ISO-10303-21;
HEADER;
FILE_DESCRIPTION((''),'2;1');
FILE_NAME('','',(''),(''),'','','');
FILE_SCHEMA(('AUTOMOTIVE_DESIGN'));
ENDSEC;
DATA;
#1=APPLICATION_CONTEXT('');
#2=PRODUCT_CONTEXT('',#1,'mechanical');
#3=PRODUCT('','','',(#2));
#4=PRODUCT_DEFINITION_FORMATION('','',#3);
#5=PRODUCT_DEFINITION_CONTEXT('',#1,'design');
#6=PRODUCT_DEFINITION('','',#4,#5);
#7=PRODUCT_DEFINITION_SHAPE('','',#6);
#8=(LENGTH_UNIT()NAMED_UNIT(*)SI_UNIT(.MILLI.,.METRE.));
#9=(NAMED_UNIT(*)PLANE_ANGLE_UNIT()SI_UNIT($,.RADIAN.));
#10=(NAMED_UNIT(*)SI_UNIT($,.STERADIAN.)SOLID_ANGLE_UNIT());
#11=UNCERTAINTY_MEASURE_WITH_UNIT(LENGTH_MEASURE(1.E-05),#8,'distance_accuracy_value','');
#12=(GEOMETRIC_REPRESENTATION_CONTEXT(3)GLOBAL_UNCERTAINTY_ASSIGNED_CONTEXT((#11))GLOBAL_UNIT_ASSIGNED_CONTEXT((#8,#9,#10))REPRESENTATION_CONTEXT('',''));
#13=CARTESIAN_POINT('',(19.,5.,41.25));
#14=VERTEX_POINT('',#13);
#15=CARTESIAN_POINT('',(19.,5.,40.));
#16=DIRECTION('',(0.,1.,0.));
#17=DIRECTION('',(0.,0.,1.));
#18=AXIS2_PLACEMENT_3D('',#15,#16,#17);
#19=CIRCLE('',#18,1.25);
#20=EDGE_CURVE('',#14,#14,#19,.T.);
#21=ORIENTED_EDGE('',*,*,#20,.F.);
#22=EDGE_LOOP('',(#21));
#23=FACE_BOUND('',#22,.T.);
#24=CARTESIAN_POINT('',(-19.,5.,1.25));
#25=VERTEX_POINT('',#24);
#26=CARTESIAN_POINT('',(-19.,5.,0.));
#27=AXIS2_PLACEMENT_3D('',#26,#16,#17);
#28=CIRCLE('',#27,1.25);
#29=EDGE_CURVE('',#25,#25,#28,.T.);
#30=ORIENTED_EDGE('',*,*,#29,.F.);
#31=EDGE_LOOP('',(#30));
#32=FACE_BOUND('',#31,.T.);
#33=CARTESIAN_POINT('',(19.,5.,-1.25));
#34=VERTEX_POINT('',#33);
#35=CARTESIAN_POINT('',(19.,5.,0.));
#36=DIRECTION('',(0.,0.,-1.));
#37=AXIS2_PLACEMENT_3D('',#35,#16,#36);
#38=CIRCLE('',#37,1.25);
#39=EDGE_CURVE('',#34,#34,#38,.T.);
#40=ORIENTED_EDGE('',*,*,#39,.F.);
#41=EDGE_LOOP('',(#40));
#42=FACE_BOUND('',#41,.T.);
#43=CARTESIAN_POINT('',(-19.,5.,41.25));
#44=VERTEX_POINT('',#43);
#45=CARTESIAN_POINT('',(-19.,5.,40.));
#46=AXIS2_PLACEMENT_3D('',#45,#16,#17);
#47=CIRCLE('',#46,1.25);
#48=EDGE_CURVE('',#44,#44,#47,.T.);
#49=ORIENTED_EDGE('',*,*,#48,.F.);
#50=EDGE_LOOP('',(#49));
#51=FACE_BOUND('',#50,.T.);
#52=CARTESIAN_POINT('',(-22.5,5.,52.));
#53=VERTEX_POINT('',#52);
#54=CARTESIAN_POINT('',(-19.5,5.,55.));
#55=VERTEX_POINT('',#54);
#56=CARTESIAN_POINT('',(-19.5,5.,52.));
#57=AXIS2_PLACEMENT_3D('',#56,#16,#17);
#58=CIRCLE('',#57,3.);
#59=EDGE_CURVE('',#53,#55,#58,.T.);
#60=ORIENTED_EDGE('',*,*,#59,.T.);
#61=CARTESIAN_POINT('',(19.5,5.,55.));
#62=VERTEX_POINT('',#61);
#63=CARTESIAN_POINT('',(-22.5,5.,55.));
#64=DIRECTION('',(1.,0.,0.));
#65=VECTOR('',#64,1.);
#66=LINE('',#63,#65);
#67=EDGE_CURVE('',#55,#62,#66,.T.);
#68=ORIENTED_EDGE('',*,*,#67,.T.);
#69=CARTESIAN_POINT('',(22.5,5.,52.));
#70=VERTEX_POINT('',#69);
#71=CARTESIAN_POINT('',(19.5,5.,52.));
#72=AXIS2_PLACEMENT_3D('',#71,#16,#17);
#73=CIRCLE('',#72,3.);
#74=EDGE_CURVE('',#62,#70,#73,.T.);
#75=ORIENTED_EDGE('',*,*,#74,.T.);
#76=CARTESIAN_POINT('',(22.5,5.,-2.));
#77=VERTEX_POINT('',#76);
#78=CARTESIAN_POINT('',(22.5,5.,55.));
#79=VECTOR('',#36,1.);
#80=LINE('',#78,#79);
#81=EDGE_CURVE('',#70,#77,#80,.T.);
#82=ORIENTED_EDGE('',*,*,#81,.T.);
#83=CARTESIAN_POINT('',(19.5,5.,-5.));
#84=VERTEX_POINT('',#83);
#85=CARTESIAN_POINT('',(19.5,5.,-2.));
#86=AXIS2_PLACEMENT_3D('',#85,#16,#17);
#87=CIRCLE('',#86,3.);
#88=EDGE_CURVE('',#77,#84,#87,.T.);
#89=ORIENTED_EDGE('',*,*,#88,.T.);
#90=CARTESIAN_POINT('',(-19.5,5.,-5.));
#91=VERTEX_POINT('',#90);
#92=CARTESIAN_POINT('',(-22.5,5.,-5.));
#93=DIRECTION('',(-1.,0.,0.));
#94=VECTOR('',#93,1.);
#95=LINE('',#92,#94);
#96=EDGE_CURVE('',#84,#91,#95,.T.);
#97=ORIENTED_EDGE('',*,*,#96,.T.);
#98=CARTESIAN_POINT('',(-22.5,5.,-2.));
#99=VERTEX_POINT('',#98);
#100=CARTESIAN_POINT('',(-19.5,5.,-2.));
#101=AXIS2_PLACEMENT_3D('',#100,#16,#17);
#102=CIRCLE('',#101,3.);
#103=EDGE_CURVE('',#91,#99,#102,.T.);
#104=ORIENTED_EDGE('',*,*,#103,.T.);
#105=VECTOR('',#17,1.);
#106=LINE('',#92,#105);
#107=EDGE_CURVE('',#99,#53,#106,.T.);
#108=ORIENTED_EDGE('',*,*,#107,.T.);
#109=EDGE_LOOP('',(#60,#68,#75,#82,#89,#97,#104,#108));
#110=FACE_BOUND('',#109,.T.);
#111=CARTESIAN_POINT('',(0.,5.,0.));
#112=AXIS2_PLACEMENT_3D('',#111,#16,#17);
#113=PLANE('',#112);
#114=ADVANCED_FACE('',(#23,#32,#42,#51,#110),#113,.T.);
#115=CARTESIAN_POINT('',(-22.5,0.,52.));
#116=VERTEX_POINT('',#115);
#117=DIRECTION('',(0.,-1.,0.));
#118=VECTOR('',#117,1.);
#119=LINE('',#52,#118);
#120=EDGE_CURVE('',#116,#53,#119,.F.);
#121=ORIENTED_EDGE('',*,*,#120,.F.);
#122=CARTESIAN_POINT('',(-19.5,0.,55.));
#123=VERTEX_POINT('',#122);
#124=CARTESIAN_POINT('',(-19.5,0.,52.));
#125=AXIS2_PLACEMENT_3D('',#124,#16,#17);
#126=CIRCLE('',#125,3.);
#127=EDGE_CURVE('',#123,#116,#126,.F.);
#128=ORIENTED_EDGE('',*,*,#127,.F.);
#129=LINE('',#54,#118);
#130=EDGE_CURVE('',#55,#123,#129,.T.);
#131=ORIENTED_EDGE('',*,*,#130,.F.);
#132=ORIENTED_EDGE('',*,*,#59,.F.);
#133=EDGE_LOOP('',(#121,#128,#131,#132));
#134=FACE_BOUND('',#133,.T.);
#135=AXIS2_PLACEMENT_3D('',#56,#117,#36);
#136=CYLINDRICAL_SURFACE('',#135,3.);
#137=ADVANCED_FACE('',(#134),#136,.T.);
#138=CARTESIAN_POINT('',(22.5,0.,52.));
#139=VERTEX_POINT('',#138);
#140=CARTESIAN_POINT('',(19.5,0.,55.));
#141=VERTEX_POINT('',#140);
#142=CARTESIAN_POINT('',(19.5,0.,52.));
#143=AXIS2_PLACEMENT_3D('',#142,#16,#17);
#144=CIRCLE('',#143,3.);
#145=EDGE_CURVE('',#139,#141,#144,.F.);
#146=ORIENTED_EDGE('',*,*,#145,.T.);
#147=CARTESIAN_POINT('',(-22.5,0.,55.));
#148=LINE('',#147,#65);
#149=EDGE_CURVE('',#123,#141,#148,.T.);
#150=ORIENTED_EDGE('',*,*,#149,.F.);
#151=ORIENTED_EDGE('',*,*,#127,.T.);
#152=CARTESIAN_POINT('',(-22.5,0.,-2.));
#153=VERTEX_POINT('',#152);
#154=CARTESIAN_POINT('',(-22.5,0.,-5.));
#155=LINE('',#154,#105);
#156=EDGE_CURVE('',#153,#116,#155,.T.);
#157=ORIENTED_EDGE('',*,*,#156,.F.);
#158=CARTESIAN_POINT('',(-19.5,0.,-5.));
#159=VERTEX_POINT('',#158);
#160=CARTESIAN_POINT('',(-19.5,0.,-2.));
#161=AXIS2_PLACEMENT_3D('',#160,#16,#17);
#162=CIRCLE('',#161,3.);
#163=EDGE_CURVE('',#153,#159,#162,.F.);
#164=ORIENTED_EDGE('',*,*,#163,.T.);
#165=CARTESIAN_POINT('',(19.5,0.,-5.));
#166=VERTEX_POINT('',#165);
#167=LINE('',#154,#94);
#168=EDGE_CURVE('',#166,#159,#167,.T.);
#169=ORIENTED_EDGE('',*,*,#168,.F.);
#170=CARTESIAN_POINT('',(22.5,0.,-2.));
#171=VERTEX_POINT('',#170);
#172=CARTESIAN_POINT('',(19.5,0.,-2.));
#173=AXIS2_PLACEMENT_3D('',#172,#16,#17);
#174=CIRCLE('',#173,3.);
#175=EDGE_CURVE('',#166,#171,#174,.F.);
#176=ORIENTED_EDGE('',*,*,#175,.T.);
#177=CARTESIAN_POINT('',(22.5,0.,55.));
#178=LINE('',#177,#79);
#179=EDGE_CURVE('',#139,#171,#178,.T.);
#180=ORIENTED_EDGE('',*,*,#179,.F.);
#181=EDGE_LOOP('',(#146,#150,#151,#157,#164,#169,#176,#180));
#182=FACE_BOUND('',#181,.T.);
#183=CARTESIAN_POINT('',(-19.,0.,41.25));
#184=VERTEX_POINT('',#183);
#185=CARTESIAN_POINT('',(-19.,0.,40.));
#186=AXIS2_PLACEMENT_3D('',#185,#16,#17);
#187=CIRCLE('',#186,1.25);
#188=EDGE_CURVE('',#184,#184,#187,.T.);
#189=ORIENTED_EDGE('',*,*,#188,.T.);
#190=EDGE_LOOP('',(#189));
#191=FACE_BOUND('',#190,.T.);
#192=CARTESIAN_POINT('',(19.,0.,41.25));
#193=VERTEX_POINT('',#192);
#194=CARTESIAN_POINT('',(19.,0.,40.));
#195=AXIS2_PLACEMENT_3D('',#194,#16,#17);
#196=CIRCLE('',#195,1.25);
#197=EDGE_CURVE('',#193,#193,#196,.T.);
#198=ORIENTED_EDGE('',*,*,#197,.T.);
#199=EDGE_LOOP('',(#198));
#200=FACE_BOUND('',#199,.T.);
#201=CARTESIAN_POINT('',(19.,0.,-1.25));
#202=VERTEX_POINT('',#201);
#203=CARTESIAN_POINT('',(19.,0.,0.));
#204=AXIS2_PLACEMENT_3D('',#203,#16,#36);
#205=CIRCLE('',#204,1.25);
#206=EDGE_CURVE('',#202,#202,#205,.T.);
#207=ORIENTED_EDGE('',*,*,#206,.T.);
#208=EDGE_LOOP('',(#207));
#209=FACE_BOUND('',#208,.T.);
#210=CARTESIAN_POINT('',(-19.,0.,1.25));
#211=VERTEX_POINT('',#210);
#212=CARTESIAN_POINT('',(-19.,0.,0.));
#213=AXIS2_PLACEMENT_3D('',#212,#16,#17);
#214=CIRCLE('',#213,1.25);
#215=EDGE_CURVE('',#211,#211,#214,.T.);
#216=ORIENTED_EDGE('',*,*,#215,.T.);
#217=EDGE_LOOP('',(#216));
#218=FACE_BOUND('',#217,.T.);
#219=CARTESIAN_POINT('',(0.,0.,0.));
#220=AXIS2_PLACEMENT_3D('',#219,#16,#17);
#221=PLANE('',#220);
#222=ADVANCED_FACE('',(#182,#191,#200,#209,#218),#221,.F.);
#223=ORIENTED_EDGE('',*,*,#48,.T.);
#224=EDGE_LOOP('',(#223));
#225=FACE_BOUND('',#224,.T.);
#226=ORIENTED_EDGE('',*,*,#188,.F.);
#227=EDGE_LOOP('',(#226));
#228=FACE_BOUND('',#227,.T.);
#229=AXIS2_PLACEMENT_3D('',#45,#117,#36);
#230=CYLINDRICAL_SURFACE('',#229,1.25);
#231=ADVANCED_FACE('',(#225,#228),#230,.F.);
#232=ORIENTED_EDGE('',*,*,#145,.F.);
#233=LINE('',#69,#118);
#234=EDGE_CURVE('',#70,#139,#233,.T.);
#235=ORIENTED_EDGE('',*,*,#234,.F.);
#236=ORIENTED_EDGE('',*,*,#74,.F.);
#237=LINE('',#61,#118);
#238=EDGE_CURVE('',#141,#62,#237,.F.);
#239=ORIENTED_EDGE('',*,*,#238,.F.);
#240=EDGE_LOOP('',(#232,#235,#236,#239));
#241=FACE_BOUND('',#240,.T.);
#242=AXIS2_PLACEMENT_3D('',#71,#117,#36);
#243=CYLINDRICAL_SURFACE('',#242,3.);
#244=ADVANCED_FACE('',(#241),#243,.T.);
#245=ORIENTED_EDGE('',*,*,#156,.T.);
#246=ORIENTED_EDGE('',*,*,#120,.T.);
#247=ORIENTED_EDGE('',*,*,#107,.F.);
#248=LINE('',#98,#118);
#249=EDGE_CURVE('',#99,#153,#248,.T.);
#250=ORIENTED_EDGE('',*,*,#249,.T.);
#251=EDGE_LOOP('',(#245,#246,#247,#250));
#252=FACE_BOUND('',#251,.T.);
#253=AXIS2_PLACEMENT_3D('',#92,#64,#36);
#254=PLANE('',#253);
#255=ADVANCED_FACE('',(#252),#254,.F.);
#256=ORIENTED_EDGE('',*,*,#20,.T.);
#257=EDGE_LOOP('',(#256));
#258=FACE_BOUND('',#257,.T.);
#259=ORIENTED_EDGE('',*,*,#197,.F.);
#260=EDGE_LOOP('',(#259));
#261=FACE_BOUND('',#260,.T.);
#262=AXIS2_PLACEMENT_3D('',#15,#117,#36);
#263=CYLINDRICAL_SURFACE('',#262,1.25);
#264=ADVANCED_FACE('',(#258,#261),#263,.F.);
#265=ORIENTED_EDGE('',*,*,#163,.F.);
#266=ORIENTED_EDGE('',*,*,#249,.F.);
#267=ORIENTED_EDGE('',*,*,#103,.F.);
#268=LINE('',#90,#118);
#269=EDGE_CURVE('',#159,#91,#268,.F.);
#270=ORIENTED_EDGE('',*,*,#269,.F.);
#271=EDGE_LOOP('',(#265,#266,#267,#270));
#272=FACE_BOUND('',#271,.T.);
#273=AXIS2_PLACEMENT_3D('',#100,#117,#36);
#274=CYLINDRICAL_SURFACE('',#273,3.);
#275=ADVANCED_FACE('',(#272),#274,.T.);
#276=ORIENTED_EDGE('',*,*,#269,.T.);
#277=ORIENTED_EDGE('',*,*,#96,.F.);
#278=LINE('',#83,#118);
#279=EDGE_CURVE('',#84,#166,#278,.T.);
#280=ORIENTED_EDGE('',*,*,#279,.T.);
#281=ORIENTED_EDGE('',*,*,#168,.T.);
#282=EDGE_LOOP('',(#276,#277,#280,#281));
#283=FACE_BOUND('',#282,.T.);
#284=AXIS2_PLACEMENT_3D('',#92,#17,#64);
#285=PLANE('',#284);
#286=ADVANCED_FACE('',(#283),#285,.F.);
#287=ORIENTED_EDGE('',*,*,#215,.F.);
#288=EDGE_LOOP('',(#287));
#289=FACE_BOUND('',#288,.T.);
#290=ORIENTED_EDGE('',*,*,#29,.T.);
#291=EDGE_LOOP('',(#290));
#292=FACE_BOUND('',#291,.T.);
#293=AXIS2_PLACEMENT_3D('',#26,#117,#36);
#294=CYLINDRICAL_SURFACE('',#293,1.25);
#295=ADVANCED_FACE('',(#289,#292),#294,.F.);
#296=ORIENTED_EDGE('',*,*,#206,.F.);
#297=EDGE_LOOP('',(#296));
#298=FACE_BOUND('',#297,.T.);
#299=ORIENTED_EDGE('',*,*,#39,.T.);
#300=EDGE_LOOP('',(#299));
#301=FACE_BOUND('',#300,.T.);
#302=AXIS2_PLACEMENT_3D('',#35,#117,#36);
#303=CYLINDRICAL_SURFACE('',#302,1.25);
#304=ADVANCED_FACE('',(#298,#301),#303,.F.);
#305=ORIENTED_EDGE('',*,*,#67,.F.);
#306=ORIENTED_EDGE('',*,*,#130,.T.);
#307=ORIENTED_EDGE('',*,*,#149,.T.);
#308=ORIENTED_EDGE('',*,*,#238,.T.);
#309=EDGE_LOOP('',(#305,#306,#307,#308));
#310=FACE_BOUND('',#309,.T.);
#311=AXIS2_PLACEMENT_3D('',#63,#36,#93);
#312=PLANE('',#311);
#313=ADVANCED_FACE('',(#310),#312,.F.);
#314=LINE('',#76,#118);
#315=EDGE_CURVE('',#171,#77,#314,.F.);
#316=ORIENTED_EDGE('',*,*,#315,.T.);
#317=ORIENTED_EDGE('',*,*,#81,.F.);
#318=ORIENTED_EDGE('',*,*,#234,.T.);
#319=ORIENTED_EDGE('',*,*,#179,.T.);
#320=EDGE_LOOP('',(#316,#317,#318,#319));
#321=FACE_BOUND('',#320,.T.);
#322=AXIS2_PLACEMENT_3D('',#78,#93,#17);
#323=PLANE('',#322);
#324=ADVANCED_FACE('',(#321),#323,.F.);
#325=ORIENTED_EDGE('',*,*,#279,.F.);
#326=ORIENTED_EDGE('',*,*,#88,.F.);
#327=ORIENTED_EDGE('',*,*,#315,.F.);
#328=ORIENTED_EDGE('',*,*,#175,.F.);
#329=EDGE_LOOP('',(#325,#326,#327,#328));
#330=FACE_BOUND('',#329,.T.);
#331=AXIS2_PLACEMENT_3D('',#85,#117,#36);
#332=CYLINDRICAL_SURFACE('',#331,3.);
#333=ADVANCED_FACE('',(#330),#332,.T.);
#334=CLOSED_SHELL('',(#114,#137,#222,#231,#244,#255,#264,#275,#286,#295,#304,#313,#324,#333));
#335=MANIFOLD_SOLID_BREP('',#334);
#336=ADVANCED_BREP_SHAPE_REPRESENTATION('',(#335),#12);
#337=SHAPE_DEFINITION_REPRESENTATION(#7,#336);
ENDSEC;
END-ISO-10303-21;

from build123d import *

# Parameters (mm, degrees)
SKETCH1_W           = 45
SKETCH1_H           = 60
SKETCH1_R           = 1.25
BOSS_EXTRUDE1_DEPTH = 5
FILLET1_R           = 3


with BuildPart() as part:
    # Sketch1 → Boss-Extrude1 (new body)
    with BuildSketch(Plane(origin=(0, 0, 0), x_dir=(1, 0, 0), z_dir=(0, 1, 0))):
        with Locations((0, -25)):
            Rectangle(SKETCH1_W, SKETCH1_H)
        with Locations(Location((-19, 0, 0), (0, 0, 270))):
            Circle(SKETCH1_R, mode=Mode.SUBTRACT)
        with Locations(Location((19, 0, 0), (0, 0, 90))):
            Circle(SKETCH1_R, mode=Mode.SUBTRACT)
        with Locations(Location((-19, -40, 0), (0, 0, 270))):
            Circle(SKETCH1_R, mode=Mode.SUBTRACT)
        with Locations(Location((19, -40, 0), (0, 0, 270))):
            Circle(SKETCH1_R, mode=Mode.SUBTRACT)
    extrude(amount=BOSS_EXTRUDE1_DEPTH)

    # Fillet1
    fillet1_edges = [part.edges().sort_by_distance(p)[0] for p in [
        (-22.5, 2.5, -5),
        (22.5, 2.5, -5),
        (22.5, 2.5, 55),
        (-22.5, 2.5, 55),
    ]]
    fillet(fillet1_edges, radius=FILLET1_R)


solid = part.part
